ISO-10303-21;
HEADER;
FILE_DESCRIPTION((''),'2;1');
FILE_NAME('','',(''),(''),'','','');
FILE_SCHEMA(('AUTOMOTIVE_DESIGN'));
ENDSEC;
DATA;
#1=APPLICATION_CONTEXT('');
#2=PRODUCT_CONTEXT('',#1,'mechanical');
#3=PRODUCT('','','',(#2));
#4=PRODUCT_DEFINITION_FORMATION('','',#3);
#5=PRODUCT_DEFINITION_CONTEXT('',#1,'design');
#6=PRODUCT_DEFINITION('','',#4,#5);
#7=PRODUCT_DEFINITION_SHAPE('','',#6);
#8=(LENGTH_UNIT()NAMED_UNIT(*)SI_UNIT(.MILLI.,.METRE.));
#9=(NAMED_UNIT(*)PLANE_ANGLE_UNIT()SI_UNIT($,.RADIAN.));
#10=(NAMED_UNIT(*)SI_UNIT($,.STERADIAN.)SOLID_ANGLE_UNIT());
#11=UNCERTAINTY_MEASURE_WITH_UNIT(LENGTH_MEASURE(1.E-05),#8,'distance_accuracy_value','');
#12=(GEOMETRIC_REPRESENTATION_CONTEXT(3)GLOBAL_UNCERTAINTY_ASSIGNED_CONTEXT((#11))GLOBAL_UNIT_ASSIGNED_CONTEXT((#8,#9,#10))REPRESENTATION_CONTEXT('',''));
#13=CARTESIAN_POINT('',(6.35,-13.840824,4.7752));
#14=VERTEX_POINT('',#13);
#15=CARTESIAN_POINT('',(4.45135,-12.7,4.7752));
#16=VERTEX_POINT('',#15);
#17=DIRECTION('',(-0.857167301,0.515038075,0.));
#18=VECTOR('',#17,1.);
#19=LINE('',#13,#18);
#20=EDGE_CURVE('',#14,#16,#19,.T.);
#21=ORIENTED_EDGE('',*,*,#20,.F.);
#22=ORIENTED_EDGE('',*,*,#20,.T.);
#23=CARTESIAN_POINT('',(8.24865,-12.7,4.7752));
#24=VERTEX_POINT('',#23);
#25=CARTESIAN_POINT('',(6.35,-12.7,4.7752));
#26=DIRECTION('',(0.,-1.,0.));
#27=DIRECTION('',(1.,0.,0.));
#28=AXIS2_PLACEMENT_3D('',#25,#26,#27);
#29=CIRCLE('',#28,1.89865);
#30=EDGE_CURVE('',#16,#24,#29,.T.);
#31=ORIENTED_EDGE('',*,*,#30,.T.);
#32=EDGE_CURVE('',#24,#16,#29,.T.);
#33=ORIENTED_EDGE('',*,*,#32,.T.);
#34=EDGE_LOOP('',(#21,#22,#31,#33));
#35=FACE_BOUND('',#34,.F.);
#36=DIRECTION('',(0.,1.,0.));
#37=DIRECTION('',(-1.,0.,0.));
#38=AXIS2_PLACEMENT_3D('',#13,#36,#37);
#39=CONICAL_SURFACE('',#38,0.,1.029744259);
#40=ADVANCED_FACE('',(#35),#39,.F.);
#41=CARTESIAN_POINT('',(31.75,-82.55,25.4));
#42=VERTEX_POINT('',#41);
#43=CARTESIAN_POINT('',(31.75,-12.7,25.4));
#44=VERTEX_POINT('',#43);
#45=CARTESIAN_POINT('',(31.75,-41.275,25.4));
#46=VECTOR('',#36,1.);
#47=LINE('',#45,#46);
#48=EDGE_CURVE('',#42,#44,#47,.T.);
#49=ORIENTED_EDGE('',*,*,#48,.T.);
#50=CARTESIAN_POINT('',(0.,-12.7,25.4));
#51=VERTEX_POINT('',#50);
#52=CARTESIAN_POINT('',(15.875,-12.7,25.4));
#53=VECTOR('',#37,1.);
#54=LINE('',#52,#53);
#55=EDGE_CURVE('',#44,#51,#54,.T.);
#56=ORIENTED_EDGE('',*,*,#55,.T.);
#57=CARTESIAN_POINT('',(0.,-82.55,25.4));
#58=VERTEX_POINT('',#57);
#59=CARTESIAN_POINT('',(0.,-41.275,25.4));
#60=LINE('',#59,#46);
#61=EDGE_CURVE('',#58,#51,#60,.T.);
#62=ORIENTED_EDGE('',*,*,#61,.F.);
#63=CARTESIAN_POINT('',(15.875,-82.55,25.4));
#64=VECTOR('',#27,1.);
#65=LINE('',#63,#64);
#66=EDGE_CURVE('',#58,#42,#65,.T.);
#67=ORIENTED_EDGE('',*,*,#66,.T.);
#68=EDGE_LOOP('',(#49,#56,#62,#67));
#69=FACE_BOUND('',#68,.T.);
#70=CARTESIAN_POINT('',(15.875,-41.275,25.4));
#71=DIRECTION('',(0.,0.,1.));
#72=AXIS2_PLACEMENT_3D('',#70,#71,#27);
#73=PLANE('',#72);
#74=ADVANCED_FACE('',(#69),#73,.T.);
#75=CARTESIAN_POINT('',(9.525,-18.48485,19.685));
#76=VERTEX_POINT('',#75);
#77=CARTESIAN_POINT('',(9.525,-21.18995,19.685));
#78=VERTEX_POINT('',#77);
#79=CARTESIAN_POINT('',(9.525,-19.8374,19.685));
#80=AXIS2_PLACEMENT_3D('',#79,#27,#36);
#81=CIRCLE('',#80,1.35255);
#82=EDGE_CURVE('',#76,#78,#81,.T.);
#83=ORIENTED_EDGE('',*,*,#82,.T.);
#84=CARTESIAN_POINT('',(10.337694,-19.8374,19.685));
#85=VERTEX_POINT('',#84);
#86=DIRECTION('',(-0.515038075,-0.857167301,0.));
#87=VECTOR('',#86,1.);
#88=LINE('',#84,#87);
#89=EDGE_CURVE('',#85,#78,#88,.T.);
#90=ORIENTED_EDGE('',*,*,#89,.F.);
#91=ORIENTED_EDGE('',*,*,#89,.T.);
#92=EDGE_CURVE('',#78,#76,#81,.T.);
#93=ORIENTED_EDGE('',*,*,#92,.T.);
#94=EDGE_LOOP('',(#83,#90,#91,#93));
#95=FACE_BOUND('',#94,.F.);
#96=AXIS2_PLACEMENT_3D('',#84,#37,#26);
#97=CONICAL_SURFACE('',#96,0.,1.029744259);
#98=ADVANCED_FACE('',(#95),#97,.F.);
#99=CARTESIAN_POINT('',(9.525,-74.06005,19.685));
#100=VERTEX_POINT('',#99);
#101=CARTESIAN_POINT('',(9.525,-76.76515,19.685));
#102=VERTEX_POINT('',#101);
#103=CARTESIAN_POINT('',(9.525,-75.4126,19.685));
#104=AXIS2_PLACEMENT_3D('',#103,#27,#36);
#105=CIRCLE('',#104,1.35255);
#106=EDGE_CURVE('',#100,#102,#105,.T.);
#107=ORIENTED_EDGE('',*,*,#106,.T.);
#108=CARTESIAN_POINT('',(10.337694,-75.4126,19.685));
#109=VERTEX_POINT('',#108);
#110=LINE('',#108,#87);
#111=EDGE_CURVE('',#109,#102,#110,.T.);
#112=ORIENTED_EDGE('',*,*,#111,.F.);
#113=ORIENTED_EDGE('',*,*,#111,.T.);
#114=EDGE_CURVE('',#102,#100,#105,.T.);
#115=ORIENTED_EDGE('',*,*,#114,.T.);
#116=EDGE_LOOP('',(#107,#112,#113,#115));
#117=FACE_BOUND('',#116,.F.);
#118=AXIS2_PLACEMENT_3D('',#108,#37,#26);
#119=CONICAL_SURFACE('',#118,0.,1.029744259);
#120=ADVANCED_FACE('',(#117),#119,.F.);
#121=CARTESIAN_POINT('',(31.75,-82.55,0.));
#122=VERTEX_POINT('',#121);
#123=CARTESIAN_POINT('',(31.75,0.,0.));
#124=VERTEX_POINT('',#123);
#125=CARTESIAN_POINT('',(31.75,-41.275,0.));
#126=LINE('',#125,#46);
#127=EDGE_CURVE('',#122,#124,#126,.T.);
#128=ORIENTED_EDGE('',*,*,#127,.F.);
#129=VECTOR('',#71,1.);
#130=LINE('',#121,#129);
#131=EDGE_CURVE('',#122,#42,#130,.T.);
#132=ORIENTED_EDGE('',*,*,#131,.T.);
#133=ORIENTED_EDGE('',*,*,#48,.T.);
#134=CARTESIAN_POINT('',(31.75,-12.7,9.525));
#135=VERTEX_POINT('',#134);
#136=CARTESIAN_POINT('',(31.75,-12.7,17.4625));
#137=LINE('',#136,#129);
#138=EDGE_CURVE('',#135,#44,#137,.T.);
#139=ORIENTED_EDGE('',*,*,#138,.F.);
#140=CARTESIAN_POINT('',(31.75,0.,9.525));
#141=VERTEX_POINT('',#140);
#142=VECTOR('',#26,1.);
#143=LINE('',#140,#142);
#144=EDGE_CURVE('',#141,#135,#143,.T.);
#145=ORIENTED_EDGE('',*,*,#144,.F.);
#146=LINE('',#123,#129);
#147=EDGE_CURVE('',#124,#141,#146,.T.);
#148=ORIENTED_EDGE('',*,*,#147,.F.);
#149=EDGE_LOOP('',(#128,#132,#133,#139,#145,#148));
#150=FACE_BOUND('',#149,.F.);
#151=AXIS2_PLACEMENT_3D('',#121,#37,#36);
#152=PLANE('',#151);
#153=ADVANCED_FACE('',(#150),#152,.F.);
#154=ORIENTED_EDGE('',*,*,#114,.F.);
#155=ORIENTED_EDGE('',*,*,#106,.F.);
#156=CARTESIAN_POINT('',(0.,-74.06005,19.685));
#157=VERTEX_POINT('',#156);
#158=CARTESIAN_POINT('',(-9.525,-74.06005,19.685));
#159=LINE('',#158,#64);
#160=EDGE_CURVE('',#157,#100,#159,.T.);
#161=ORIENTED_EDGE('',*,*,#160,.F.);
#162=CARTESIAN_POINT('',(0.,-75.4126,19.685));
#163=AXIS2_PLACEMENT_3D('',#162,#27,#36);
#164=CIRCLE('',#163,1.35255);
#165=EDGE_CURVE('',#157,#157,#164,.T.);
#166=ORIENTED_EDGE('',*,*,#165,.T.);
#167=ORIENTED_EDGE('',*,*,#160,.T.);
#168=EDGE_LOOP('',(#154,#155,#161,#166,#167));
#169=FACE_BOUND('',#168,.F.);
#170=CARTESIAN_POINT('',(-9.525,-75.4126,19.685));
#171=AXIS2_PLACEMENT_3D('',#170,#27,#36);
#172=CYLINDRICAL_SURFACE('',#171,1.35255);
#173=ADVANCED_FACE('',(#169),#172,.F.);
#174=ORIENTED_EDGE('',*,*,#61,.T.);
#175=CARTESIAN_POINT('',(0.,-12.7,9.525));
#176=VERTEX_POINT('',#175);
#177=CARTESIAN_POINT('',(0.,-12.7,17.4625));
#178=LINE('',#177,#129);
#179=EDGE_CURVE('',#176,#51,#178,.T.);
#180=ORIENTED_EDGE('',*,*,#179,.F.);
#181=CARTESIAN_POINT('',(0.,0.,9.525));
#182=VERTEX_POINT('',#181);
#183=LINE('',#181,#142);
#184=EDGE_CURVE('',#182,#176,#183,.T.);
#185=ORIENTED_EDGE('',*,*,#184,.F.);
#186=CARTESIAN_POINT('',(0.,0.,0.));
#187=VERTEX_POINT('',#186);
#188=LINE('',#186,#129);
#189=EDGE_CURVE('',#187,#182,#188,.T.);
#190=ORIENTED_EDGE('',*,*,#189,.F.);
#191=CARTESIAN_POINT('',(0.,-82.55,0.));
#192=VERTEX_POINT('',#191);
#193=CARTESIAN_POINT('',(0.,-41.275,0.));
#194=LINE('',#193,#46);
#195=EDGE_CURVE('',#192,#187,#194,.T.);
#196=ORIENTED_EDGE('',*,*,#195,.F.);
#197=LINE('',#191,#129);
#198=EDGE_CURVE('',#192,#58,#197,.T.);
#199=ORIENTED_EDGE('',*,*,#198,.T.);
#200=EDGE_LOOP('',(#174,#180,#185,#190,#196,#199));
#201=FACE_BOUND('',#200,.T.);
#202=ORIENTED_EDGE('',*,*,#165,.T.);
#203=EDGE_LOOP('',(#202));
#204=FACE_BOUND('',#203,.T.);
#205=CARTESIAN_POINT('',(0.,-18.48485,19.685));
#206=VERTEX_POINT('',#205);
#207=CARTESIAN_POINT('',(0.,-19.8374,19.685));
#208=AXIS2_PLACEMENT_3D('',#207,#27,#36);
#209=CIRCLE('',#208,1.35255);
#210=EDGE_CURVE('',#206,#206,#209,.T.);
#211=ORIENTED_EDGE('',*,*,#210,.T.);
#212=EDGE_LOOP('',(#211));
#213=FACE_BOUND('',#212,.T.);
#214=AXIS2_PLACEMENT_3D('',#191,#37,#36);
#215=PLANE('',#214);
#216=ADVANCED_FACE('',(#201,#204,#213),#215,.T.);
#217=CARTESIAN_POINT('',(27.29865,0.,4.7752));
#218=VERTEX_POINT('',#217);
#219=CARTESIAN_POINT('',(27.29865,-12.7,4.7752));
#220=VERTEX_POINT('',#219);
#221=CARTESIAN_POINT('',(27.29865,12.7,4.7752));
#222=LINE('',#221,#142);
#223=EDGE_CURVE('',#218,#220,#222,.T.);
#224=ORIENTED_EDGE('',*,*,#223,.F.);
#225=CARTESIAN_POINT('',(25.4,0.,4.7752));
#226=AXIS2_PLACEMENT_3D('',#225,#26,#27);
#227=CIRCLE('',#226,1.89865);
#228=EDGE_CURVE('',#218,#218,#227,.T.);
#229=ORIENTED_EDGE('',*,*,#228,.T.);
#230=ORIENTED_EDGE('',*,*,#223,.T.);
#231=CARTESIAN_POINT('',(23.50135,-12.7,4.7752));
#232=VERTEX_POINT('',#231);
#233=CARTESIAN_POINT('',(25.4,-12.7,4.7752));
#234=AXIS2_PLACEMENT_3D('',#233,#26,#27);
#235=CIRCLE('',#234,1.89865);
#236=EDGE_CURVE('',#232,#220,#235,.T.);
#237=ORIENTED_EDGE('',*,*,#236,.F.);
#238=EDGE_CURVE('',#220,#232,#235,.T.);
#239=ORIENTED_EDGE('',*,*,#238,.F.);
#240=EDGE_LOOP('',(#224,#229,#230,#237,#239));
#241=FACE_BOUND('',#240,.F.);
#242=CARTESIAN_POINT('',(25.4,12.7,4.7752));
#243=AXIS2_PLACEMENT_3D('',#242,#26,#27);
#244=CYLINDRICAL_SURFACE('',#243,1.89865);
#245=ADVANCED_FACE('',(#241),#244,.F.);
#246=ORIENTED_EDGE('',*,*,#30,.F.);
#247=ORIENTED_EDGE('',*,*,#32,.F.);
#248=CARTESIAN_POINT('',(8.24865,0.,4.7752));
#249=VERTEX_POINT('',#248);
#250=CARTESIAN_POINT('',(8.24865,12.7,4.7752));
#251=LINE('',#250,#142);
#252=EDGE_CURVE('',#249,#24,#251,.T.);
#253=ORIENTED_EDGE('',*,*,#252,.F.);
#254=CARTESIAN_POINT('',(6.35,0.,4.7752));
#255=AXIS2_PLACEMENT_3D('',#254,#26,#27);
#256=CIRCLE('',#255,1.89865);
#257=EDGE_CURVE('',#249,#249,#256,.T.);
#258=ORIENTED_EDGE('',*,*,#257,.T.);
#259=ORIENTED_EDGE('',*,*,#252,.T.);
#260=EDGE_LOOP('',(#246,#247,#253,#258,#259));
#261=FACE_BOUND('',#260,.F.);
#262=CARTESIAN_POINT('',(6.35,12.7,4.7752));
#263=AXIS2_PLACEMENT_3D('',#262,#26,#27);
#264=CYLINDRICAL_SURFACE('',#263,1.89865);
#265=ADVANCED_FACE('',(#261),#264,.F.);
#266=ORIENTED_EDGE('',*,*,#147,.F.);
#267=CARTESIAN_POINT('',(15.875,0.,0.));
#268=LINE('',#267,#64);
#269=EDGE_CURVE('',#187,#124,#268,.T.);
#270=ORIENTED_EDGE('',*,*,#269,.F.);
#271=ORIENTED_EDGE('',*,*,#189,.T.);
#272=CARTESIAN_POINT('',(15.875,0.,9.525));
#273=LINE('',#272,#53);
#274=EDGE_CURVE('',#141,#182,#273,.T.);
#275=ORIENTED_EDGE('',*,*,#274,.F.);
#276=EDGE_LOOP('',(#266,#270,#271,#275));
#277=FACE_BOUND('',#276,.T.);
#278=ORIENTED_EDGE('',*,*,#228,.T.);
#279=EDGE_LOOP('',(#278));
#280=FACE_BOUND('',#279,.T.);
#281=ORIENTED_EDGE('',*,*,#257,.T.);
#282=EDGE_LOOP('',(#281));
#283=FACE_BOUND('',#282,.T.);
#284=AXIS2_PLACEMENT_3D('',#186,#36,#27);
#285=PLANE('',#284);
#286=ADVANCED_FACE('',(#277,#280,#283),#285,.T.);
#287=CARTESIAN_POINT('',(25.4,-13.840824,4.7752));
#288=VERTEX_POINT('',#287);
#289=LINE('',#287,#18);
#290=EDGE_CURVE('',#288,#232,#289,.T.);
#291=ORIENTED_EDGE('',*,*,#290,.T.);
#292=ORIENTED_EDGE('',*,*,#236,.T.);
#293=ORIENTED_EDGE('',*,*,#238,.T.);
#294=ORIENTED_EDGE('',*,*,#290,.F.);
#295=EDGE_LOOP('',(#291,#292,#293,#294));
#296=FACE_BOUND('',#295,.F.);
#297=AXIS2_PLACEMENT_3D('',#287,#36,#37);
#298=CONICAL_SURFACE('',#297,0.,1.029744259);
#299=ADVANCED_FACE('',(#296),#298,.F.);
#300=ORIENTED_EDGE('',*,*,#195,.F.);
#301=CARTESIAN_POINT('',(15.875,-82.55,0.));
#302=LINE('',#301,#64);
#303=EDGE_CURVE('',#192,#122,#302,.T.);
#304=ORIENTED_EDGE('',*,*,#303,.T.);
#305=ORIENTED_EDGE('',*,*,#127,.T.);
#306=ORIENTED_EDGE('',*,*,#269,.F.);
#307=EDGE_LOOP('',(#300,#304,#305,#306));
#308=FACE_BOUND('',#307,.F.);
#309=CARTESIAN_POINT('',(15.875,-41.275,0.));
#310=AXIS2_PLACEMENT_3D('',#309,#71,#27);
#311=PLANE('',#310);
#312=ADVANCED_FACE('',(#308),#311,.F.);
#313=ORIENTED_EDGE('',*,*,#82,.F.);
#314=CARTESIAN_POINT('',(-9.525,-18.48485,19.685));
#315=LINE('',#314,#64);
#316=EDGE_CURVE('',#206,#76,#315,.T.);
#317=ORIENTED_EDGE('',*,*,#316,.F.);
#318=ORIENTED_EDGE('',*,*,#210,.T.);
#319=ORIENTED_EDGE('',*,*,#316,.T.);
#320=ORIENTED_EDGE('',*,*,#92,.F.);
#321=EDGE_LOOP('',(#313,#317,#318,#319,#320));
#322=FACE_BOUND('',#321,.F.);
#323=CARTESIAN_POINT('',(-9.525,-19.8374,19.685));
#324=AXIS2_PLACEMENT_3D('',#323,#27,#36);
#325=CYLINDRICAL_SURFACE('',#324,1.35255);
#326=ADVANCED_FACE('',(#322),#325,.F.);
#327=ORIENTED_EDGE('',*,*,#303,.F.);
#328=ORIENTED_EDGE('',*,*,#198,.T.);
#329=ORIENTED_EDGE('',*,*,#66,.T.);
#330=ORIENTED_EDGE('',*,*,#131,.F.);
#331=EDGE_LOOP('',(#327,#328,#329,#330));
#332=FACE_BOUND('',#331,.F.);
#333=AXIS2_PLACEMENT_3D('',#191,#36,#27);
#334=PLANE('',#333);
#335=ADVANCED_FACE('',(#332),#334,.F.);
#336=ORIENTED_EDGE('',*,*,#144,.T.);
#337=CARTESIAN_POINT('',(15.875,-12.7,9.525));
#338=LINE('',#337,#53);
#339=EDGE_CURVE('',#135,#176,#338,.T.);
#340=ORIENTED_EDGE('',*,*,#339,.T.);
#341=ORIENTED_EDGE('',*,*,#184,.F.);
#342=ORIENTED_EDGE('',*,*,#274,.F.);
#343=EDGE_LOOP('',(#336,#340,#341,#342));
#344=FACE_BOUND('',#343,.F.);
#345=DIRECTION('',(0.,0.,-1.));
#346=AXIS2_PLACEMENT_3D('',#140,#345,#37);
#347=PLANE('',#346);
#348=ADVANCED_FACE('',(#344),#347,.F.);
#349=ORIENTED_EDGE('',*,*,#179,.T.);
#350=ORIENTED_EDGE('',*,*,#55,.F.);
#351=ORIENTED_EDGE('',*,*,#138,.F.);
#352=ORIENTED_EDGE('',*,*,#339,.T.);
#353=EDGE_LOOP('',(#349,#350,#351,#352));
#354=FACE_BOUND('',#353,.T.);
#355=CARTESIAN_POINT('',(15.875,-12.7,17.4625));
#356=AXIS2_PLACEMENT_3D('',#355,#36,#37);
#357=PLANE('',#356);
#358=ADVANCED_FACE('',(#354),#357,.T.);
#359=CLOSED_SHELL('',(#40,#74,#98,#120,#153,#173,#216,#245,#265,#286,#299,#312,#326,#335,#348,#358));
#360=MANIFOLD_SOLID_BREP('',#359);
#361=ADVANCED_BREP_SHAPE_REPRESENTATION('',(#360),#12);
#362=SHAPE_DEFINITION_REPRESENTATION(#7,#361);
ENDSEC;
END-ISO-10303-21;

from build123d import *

# Parameters (mm, degrees)
F0_W     = 31.75
F0_H     = 82.55
F1_DEPTH = 25.4
F2_W     = 31.75
F2_H     = 15.875
F3_DEPTH = 12.7
F5_D     = 3.7973
F5_DEPTH = 12.7
F5_TIP   = 1.1408240143
F7_D     = 2.7051
F7_DEPTH = 9.525
F7_TIP   = 0.8126940303


with BuildPart() as f1:
    # F0 (on Top) → F1 (new body)
    with BuildSketch(Plane.XY):
        with Locations((15.875, -41.275)):
            Rectangle(F0_W, F0_H)
    extrude(amount=F1_DEPTH)

    # F2 (on face) → F3 (cut)
    with BuildSketch(Plane(origin=(0, 0, 0), x_dir=(-1, 0, 0), z_dir=(0, 1, 0))):
        with Locations((-15.875, 17.4625)):
            Rectangle(F2_W, F2_H)
    extrude(amount=-F3_DEPTH, mode=Mode.SUBTRACT)

    # F5
    with Locations(Plane(origin=(0, 0, 0), x_dir=(-1, 0, 0), z_dir=(0, 1, 0))):
        with Locations((-25.4, 4.7752), (-6.35, 4.7752)):
            Hole(F5_D / 2, depth=F5_DEPTH)
            with Locations((0, 0, -(F5_DEPTH + F5_TIP / 2))):  # 118° drill point
                Cone(0, F5_D / 2, F5_TIP, mode=Mode.SUBTRACT)

    # F7
    with Locations(Plane(origin=(0, 0, 0), x_dir=(0, -1, 0), z_dir=(-1, 0, 0))):
        with Locations((19.8374, 19.685), (75.4126, 19.685)):
            Hole(F7_D / 2, depth=F7_DEPTH)
            with Locations((0, 0, -(F7_DEPTH + F7_TIP / 2))):  # 118° drill point
                Cone(0, F7_D / 2, F7_TIP, mode=Mode.SUBTRACT)


solid = f1.part
